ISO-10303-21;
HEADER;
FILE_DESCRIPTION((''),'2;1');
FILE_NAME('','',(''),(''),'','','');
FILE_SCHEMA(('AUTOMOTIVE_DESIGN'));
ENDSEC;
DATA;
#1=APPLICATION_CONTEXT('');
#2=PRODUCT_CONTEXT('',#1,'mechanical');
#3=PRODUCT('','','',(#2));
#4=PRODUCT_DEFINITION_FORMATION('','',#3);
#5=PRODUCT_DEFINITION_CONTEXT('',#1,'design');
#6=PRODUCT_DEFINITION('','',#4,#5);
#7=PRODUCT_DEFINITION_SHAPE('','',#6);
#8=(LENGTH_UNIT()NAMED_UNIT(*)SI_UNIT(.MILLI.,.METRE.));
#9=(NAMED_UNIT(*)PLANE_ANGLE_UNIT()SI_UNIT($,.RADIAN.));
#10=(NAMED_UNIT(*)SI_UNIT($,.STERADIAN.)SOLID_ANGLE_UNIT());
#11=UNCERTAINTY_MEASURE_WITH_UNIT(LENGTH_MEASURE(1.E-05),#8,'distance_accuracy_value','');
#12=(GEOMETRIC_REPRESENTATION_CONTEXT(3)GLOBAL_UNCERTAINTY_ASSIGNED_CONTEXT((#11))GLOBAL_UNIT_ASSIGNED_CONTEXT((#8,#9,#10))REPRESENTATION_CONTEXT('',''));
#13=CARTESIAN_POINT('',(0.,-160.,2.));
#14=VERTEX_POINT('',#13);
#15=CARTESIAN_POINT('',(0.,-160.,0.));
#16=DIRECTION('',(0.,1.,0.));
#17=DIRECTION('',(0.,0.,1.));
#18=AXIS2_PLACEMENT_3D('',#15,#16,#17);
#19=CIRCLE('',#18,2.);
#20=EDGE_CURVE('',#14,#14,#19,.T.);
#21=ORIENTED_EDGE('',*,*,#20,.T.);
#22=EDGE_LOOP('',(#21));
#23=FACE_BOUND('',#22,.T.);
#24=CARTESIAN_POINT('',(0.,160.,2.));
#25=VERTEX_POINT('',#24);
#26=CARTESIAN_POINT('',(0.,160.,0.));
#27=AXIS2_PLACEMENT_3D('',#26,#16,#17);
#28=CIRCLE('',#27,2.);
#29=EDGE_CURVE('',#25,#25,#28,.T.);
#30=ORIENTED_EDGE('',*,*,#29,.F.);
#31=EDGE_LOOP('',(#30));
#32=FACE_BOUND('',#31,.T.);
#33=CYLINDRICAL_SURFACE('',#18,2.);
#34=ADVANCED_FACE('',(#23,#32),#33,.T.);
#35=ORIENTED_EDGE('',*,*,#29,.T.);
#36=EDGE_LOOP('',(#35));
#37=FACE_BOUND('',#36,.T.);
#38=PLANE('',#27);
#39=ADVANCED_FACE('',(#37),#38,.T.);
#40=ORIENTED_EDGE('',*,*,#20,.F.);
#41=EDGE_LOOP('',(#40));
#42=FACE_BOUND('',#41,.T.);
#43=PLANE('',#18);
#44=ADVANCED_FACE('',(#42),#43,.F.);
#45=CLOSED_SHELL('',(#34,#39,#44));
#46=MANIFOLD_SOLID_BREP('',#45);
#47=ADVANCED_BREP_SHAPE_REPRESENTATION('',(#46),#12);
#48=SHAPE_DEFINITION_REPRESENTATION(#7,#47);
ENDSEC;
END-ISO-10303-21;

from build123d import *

# Parameters (mm, degrees)
BOSS_EXTRUDE2_DEPTH      = 160
BOSS_EXTRUDE2_DEPTH_BACK = 160
SKETCH1_R                = 2


with BuildPart() as part:
    # Sketch1 → Boss-Extrude2 (new, two sides: drawn at the far end of the back side and taken through both)
    with BuildSketch(Plane(origin=(0, 0, 0), x_dir=(1, 0, 0), z_dir=(0, 1, 0)).offset(-BOSS_EXTRUDE2_DEPTH_BACK)):
        Circle(SKETCH1_R)
    extrude(amount=BOSS_EXTRUDE2_DEPTH + BOSS_EXTRUDE2_DEPTH_BACK)


solid = part.part
